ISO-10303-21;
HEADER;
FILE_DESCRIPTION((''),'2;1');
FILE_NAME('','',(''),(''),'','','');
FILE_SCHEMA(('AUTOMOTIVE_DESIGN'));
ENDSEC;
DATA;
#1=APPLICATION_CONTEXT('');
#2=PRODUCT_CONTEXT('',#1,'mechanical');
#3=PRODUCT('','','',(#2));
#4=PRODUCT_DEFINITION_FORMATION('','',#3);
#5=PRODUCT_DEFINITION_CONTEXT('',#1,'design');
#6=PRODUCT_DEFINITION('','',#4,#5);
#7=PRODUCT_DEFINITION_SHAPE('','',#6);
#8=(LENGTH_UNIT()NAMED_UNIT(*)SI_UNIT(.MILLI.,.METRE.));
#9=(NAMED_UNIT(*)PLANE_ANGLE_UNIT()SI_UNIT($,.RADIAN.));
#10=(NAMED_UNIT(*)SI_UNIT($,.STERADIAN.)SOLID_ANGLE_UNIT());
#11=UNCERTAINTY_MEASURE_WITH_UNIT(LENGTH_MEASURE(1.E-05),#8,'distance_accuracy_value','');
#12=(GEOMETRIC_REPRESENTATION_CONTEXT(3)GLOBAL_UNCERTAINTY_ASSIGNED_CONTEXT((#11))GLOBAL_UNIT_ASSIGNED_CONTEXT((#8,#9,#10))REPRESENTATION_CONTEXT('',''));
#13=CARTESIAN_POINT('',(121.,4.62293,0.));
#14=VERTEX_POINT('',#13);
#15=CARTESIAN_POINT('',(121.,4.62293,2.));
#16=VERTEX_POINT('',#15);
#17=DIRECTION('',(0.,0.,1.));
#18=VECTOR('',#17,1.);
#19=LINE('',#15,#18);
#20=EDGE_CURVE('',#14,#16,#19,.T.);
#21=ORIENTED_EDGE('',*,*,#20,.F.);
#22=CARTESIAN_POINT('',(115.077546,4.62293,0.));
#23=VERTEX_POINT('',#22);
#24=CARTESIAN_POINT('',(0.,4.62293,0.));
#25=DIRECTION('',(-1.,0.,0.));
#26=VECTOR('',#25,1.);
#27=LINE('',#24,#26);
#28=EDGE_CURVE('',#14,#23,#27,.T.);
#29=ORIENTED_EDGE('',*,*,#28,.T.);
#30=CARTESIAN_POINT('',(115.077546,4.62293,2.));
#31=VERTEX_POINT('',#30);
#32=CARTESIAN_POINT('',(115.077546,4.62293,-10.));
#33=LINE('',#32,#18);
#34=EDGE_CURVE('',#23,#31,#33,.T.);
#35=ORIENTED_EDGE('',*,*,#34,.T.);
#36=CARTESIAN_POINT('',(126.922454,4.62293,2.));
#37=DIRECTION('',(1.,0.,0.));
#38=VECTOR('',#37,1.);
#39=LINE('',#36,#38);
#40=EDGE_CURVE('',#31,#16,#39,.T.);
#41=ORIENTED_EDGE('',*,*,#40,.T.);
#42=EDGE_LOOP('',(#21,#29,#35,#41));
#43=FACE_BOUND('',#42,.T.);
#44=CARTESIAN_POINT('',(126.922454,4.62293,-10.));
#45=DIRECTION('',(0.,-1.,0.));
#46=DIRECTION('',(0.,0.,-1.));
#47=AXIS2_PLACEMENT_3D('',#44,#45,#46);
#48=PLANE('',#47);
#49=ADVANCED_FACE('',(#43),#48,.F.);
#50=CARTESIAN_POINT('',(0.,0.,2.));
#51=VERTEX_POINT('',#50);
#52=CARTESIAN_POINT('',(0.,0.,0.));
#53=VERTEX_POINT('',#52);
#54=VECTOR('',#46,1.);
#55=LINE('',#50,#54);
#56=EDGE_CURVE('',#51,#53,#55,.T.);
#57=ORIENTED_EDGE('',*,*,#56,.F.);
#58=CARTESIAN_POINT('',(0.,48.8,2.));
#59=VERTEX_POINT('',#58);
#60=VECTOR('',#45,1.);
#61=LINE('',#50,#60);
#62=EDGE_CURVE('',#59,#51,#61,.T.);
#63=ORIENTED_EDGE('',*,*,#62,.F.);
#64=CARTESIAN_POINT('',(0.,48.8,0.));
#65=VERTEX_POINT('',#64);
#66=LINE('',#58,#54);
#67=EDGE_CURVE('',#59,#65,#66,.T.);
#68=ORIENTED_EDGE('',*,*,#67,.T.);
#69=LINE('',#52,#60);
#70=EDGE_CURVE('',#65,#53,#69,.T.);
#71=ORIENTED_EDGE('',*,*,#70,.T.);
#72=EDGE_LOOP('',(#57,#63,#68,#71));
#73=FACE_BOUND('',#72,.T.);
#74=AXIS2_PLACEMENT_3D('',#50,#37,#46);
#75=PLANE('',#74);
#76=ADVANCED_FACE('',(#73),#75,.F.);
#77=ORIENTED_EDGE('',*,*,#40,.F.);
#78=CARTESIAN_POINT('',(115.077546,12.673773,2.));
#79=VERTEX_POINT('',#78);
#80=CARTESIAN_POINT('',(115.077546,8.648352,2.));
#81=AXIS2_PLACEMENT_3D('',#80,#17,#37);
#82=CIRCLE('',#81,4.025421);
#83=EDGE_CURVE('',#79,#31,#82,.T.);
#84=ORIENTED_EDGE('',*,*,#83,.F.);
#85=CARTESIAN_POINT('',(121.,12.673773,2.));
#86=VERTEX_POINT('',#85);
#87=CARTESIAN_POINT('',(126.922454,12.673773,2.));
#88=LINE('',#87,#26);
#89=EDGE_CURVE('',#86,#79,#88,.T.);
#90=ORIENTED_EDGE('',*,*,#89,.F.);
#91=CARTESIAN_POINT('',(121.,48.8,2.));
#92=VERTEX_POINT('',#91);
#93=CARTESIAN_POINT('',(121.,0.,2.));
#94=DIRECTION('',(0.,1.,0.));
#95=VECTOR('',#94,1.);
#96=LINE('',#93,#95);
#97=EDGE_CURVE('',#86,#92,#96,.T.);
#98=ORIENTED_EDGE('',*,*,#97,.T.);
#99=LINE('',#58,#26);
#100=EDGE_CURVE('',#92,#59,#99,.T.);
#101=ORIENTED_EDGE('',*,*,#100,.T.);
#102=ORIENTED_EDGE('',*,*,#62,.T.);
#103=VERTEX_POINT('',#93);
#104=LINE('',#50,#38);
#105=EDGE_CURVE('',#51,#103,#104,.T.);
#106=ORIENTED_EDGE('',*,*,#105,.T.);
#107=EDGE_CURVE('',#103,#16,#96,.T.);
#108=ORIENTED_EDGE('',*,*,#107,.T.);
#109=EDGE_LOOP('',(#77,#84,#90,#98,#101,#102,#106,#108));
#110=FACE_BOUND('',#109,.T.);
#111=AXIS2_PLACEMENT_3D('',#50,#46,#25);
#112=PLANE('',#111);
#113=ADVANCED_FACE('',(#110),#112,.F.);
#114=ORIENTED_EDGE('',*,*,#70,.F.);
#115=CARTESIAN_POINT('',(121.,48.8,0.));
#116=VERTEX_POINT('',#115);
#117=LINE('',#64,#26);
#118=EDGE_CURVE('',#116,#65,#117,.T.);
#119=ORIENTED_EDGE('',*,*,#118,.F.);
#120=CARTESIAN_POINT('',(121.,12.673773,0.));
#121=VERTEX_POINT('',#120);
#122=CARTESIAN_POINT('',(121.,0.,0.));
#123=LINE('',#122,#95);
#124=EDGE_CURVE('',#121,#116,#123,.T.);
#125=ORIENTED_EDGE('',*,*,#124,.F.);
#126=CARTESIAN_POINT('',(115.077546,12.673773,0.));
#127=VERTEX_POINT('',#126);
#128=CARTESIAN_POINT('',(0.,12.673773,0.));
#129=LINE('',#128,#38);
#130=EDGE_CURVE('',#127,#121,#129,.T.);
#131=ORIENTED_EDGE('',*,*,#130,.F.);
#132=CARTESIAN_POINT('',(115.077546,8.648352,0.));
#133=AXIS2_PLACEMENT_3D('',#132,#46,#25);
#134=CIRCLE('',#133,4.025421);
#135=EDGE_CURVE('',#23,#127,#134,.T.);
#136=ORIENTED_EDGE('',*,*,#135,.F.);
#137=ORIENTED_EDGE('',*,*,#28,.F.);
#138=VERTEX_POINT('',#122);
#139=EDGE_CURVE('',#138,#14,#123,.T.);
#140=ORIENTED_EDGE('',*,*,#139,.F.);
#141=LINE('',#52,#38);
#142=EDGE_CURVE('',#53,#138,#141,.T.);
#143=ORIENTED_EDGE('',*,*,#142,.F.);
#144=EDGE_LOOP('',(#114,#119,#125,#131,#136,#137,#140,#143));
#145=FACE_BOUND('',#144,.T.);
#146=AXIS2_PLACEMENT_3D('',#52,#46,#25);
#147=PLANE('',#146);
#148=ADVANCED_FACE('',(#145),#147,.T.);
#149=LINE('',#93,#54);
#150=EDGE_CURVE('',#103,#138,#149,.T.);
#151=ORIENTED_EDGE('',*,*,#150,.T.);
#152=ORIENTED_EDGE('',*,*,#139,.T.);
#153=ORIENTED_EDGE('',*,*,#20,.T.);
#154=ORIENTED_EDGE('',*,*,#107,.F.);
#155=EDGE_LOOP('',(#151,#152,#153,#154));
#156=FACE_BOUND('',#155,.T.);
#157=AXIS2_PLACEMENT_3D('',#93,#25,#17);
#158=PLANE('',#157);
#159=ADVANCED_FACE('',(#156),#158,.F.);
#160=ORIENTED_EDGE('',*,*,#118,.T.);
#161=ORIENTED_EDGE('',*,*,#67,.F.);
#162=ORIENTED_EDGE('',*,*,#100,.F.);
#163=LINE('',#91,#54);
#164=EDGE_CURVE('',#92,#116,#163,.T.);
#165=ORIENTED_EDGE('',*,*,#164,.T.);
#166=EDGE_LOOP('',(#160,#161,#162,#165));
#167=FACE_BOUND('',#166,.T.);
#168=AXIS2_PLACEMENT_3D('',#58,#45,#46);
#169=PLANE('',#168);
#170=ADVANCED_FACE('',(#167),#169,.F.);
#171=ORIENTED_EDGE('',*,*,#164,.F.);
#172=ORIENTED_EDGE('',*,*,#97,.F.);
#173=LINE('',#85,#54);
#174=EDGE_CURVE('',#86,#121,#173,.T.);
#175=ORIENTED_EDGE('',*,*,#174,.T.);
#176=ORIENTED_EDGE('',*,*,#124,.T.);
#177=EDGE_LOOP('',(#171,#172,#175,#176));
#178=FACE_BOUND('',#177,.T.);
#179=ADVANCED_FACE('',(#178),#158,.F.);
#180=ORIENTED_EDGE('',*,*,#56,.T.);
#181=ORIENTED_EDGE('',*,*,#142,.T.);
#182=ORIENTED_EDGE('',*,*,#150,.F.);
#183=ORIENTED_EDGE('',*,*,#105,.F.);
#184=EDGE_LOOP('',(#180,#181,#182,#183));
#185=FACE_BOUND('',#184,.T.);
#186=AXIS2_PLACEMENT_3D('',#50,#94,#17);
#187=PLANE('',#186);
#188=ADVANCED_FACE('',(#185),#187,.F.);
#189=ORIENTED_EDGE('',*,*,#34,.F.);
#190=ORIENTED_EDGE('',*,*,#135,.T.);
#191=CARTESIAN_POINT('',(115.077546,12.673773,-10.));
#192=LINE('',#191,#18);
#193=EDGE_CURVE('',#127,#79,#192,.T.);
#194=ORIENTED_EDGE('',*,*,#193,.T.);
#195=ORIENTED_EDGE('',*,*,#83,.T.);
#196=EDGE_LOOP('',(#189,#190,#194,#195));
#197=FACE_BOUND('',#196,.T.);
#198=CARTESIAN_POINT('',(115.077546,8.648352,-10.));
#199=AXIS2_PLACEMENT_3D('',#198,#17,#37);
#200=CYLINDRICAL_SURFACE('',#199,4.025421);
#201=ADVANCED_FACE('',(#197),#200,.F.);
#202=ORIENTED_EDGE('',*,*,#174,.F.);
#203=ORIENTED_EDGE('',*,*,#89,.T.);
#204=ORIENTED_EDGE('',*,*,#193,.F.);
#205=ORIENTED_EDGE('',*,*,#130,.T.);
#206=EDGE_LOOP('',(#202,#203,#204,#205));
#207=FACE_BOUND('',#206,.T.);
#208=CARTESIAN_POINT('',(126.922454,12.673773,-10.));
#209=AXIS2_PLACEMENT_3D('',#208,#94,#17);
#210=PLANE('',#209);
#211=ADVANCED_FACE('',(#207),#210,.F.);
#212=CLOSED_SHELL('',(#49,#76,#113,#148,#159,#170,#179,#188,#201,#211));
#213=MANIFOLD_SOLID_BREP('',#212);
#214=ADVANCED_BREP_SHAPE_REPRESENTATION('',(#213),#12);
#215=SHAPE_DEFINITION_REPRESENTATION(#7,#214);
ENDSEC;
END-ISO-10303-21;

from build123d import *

# Parameters (mm, degrees)
SCHIZZO1_W                   = 121
SCHIZZO1_H                   = 48.8
ESTRUSIONE_ESTRUSIONE1_DEPTH = 2
TAGLIO_ESTRUSIONE1_DEPTH     = 12


with BuildPart() as part:
    # Schizzo1 → Estrusione-Estrusione1 (new body)
    with BuildSketch(Plane.XY):
        with Locations((60.5, 24.4)):
            Rectangle(SCHIZZO1_W, SCHIZZO1_H)
    extrude(amount=ESTRUSIONE_ESTRUSIONE1_DEPTH)

    # Schizzo2 → Taglio-Estrusione1 (cut)
    with BuildSketch(Plane.XY.offset(2)):
        with BuildLine():
            Line((126.922454277, 4.622930456), (115.077545723, 4.622930456))
            ThreePointArc((115.077545723, 4.622930456), (111.052124488, 8.64835169), (115.077545723, 12.673772925))
            Line((115.077545723, 12.673772925), (126.922454277, 12.673772925))
            ThreePointArc((126.922454277, 12.673772925), (130.947875512, 8.64835169), (126.922454277, 4.622930456))
        make_face()
    extrude(amount=-TAGLIO_ESTRUSIONE1_DEPTH, mode=Mode.SUBTRACT)


solid = part.part
